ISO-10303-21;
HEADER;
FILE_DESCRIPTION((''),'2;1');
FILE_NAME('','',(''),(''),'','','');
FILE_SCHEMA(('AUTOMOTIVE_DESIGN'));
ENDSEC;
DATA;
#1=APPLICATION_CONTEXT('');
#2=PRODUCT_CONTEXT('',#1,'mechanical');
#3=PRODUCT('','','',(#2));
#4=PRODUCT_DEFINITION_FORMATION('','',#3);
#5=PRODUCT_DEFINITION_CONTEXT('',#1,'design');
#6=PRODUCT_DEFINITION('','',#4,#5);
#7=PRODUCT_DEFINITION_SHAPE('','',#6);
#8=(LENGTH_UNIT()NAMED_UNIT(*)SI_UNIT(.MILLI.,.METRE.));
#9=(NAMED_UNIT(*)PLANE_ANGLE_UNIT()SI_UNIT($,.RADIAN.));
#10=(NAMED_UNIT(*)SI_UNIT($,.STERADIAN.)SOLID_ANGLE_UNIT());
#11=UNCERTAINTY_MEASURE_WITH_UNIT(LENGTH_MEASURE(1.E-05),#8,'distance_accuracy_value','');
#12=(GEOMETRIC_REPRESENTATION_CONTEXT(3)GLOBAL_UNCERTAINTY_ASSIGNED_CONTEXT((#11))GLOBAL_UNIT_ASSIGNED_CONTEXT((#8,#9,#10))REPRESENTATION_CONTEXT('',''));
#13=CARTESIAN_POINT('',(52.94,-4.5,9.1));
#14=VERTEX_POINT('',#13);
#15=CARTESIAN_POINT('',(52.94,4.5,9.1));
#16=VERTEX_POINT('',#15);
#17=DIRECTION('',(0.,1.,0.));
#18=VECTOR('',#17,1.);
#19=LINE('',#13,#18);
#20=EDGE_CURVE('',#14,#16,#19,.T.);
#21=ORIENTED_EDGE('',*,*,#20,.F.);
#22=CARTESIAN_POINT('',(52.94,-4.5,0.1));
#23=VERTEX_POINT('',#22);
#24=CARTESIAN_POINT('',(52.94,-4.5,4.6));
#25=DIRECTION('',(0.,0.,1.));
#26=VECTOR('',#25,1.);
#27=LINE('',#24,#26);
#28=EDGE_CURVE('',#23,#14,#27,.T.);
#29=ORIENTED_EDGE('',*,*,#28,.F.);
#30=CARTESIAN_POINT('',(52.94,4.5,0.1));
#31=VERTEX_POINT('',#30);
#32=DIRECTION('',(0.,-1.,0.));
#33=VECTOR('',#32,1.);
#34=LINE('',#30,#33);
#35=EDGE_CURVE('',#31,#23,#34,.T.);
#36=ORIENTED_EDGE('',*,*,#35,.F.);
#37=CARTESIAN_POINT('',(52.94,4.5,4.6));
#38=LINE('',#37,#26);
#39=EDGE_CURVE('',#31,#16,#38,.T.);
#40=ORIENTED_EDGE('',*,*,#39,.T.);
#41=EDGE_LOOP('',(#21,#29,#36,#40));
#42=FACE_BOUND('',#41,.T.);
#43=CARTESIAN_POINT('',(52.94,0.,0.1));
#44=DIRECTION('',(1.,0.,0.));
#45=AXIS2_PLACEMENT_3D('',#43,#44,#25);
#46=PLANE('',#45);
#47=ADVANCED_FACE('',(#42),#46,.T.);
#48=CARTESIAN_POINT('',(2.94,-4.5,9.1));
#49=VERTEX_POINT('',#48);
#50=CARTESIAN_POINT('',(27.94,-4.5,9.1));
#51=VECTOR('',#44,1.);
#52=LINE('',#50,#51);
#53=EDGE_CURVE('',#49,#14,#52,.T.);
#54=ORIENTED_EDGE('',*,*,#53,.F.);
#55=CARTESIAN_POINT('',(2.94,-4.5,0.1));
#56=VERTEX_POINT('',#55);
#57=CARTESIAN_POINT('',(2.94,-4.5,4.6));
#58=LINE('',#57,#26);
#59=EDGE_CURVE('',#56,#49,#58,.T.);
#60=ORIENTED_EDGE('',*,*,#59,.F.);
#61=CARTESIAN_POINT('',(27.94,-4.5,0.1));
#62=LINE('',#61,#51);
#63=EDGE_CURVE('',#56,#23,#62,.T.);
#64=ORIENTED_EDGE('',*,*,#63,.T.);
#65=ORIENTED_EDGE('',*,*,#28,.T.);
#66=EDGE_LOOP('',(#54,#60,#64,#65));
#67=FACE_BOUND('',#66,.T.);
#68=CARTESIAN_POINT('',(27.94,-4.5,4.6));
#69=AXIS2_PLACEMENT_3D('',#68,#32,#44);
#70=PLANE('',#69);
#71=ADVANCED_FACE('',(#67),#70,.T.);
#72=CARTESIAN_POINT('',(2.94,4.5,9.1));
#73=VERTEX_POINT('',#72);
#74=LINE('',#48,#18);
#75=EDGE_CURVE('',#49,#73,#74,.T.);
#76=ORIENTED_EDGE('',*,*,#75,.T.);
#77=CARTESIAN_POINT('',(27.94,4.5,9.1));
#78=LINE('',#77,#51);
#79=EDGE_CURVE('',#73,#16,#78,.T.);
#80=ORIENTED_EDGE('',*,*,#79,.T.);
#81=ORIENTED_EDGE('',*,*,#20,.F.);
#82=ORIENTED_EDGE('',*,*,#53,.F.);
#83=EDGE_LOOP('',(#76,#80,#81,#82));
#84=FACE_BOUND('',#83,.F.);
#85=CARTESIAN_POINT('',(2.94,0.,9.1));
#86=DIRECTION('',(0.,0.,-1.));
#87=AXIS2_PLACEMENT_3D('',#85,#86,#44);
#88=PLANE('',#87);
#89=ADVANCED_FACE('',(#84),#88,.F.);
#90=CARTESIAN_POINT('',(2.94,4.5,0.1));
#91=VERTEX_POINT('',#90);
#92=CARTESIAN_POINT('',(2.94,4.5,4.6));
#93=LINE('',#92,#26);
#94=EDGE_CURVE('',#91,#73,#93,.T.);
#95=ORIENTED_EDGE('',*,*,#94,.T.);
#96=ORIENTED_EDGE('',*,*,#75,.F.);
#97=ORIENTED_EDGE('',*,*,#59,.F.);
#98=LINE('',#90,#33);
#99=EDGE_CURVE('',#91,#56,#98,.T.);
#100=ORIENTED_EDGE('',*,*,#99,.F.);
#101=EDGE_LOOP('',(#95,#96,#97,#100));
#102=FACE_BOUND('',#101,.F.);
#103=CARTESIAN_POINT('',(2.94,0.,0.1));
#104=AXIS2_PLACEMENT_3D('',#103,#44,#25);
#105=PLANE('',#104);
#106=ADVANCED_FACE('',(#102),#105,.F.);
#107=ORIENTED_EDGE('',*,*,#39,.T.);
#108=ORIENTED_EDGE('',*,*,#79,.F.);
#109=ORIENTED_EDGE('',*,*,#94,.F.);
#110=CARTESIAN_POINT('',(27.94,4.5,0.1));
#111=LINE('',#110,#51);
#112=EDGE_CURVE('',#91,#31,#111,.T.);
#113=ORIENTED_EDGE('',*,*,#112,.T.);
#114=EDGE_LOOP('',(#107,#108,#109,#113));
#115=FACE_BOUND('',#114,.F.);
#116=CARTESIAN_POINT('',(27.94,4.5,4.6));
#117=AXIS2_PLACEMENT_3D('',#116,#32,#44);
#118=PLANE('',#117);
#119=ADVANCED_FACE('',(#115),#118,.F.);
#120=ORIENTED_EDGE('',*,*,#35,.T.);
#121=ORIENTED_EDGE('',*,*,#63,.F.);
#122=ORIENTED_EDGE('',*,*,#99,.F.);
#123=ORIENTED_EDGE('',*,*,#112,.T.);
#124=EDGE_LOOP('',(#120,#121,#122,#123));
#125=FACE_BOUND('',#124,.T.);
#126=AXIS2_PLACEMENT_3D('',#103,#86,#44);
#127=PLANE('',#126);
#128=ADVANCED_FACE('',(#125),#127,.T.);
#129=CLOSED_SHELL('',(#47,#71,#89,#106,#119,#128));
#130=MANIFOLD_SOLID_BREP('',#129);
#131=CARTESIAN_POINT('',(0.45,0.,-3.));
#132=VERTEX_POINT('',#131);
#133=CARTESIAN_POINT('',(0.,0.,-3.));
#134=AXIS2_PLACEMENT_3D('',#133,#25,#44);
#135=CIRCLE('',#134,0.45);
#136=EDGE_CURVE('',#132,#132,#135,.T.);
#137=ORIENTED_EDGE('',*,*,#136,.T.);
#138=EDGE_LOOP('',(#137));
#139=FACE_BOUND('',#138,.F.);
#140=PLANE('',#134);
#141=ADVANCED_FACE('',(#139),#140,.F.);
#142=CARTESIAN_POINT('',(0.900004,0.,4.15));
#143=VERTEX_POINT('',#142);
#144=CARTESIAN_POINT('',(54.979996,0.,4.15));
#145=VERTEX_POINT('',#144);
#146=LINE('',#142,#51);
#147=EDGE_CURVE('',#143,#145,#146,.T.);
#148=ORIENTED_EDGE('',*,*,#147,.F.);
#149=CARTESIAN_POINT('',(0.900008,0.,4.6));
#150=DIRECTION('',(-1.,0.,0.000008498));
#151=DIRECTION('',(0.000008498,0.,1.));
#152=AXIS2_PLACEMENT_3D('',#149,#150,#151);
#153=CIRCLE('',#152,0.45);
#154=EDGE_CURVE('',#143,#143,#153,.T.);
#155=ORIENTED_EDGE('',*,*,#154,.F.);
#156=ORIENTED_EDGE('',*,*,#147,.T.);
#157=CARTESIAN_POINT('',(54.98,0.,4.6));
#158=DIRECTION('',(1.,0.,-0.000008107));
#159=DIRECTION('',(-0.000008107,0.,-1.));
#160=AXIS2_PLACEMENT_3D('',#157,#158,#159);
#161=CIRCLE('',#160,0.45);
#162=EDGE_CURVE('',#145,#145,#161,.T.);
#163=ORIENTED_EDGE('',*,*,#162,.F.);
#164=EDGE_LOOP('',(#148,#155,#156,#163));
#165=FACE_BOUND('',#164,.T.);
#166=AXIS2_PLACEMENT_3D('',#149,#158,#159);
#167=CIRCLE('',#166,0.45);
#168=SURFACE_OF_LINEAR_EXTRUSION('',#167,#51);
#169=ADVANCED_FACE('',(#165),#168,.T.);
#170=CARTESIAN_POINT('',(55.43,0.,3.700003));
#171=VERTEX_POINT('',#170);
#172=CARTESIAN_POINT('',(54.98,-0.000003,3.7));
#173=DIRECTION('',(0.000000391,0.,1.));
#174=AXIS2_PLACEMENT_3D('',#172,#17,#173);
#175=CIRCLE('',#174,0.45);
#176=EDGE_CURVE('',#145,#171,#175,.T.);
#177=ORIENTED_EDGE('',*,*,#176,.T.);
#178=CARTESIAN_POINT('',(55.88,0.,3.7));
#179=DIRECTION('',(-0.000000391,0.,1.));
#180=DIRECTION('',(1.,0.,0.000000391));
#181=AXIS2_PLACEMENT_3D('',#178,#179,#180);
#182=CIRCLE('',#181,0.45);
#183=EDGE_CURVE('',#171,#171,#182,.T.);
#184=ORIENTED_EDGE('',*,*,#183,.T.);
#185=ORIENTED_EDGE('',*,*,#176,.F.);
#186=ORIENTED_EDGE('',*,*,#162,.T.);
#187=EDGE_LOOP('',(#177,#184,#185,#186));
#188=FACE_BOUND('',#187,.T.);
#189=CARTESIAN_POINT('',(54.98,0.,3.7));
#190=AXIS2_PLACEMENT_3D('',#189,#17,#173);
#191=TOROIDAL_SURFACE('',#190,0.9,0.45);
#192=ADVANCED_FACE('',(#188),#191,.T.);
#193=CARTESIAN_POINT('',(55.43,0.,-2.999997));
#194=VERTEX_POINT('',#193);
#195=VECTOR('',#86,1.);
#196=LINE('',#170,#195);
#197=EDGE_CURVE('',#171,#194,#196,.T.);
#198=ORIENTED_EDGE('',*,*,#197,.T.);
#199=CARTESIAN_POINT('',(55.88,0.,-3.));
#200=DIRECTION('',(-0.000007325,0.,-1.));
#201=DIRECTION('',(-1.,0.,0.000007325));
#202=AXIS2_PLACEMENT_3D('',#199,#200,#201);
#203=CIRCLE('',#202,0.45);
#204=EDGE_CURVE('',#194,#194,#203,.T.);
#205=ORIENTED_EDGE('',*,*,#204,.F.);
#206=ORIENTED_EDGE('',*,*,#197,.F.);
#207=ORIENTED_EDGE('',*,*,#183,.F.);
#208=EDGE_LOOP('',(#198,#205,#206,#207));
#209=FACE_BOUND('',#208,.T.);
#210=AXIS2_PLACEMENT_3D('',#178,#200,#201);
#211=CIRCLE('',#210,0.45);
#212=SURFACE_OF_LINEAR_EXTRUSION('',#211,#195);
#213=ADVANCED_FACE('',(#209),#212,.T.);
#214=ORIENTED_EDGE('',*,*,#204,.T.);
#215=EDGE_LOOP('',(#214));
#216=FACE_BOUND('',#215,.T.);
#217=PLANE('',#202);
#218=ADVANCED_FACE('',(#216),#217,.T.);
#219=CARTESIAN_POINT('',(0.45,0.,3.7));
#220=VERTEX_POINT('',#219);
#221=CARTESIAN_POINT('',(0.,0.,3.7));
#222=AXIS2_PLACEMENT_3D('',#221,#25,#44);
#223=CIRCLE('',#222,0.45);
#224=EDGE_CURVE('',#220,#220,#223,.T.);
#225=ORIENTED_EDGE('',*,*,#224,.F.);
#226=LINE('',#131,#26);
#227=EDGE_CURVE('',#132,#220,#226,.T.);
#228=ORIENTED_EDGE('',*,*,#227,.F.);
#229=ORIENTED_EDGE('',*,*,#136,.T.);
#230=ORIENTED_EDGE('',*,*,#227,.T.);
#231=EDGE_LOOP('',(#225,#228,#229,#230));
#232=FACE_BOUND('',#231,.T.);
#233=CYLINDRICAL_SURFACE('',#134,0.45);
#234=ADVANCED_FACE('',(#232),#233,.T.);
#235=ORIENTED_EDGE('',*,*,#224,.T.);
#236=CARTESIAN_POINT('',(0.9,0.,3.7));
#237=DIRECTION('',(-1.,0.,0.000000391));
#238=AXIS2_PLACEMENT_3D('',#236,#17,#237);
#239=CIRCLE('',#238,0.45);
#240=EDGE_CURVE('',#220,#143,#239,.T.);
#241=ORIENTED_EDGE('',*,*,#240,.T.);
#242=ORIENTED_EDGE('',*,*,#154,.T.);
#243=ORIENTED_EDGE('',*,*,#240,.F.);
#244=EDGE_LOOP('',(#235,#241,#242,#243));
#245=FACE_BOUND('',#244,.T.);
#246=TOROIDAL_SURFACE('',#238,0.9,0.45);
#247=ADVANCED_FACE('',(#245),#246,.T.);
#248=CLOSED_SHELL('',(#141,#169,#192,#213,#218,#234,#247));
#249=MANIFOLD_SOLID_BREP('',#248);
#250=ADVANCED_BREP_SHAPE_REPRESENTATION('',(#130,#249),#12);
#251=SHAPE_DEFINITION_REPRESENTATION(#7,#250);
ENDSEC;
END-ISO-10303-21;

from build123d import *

# Parameters (mm, degrees)
SKETCH_R    = 0.45
SKETCH002_W = 50
SKETCH002_H = 9
PAD_DEPTH   = 4.5


with BuildPart() as sweep_body:
    # Sweep: sweep along a path in Sketch001
    with BuildLine(Plane.XZ) as sweep_path:
        Line((0, -3), (0, 3.7))
        ThreePointArc((0, 3.7), (0.263607, 4.336399), (0.900008, 4.6))
        Line((0.900008, 4.6), (54.98, 4.6))
        ThreePointArc((54.98, 4.6), (55.616396, 4.336396), (55.88, 3.7))
        Line((55.88, 3.7), (55.88, -3))
    # Sketch → Sweep (sweep)
    with BuildSketch(Plane.XY.offset(-2)):
        Circle(SKETCH_R)
    sweep(path=sweep_path.line)


with BuildPart() as pad:
    # Sketch002 → Pad (new body, symmetric)
    with BuildSketch(Plane.XZ):
        with Locations((27.94, 4.6)):
            Rectangle(SKETCH002_W, SKETCH002_H)
    extrude(amount=PAD_DEPTH, both=True)


solid = Compound([sweep_body.part, pad.part])
